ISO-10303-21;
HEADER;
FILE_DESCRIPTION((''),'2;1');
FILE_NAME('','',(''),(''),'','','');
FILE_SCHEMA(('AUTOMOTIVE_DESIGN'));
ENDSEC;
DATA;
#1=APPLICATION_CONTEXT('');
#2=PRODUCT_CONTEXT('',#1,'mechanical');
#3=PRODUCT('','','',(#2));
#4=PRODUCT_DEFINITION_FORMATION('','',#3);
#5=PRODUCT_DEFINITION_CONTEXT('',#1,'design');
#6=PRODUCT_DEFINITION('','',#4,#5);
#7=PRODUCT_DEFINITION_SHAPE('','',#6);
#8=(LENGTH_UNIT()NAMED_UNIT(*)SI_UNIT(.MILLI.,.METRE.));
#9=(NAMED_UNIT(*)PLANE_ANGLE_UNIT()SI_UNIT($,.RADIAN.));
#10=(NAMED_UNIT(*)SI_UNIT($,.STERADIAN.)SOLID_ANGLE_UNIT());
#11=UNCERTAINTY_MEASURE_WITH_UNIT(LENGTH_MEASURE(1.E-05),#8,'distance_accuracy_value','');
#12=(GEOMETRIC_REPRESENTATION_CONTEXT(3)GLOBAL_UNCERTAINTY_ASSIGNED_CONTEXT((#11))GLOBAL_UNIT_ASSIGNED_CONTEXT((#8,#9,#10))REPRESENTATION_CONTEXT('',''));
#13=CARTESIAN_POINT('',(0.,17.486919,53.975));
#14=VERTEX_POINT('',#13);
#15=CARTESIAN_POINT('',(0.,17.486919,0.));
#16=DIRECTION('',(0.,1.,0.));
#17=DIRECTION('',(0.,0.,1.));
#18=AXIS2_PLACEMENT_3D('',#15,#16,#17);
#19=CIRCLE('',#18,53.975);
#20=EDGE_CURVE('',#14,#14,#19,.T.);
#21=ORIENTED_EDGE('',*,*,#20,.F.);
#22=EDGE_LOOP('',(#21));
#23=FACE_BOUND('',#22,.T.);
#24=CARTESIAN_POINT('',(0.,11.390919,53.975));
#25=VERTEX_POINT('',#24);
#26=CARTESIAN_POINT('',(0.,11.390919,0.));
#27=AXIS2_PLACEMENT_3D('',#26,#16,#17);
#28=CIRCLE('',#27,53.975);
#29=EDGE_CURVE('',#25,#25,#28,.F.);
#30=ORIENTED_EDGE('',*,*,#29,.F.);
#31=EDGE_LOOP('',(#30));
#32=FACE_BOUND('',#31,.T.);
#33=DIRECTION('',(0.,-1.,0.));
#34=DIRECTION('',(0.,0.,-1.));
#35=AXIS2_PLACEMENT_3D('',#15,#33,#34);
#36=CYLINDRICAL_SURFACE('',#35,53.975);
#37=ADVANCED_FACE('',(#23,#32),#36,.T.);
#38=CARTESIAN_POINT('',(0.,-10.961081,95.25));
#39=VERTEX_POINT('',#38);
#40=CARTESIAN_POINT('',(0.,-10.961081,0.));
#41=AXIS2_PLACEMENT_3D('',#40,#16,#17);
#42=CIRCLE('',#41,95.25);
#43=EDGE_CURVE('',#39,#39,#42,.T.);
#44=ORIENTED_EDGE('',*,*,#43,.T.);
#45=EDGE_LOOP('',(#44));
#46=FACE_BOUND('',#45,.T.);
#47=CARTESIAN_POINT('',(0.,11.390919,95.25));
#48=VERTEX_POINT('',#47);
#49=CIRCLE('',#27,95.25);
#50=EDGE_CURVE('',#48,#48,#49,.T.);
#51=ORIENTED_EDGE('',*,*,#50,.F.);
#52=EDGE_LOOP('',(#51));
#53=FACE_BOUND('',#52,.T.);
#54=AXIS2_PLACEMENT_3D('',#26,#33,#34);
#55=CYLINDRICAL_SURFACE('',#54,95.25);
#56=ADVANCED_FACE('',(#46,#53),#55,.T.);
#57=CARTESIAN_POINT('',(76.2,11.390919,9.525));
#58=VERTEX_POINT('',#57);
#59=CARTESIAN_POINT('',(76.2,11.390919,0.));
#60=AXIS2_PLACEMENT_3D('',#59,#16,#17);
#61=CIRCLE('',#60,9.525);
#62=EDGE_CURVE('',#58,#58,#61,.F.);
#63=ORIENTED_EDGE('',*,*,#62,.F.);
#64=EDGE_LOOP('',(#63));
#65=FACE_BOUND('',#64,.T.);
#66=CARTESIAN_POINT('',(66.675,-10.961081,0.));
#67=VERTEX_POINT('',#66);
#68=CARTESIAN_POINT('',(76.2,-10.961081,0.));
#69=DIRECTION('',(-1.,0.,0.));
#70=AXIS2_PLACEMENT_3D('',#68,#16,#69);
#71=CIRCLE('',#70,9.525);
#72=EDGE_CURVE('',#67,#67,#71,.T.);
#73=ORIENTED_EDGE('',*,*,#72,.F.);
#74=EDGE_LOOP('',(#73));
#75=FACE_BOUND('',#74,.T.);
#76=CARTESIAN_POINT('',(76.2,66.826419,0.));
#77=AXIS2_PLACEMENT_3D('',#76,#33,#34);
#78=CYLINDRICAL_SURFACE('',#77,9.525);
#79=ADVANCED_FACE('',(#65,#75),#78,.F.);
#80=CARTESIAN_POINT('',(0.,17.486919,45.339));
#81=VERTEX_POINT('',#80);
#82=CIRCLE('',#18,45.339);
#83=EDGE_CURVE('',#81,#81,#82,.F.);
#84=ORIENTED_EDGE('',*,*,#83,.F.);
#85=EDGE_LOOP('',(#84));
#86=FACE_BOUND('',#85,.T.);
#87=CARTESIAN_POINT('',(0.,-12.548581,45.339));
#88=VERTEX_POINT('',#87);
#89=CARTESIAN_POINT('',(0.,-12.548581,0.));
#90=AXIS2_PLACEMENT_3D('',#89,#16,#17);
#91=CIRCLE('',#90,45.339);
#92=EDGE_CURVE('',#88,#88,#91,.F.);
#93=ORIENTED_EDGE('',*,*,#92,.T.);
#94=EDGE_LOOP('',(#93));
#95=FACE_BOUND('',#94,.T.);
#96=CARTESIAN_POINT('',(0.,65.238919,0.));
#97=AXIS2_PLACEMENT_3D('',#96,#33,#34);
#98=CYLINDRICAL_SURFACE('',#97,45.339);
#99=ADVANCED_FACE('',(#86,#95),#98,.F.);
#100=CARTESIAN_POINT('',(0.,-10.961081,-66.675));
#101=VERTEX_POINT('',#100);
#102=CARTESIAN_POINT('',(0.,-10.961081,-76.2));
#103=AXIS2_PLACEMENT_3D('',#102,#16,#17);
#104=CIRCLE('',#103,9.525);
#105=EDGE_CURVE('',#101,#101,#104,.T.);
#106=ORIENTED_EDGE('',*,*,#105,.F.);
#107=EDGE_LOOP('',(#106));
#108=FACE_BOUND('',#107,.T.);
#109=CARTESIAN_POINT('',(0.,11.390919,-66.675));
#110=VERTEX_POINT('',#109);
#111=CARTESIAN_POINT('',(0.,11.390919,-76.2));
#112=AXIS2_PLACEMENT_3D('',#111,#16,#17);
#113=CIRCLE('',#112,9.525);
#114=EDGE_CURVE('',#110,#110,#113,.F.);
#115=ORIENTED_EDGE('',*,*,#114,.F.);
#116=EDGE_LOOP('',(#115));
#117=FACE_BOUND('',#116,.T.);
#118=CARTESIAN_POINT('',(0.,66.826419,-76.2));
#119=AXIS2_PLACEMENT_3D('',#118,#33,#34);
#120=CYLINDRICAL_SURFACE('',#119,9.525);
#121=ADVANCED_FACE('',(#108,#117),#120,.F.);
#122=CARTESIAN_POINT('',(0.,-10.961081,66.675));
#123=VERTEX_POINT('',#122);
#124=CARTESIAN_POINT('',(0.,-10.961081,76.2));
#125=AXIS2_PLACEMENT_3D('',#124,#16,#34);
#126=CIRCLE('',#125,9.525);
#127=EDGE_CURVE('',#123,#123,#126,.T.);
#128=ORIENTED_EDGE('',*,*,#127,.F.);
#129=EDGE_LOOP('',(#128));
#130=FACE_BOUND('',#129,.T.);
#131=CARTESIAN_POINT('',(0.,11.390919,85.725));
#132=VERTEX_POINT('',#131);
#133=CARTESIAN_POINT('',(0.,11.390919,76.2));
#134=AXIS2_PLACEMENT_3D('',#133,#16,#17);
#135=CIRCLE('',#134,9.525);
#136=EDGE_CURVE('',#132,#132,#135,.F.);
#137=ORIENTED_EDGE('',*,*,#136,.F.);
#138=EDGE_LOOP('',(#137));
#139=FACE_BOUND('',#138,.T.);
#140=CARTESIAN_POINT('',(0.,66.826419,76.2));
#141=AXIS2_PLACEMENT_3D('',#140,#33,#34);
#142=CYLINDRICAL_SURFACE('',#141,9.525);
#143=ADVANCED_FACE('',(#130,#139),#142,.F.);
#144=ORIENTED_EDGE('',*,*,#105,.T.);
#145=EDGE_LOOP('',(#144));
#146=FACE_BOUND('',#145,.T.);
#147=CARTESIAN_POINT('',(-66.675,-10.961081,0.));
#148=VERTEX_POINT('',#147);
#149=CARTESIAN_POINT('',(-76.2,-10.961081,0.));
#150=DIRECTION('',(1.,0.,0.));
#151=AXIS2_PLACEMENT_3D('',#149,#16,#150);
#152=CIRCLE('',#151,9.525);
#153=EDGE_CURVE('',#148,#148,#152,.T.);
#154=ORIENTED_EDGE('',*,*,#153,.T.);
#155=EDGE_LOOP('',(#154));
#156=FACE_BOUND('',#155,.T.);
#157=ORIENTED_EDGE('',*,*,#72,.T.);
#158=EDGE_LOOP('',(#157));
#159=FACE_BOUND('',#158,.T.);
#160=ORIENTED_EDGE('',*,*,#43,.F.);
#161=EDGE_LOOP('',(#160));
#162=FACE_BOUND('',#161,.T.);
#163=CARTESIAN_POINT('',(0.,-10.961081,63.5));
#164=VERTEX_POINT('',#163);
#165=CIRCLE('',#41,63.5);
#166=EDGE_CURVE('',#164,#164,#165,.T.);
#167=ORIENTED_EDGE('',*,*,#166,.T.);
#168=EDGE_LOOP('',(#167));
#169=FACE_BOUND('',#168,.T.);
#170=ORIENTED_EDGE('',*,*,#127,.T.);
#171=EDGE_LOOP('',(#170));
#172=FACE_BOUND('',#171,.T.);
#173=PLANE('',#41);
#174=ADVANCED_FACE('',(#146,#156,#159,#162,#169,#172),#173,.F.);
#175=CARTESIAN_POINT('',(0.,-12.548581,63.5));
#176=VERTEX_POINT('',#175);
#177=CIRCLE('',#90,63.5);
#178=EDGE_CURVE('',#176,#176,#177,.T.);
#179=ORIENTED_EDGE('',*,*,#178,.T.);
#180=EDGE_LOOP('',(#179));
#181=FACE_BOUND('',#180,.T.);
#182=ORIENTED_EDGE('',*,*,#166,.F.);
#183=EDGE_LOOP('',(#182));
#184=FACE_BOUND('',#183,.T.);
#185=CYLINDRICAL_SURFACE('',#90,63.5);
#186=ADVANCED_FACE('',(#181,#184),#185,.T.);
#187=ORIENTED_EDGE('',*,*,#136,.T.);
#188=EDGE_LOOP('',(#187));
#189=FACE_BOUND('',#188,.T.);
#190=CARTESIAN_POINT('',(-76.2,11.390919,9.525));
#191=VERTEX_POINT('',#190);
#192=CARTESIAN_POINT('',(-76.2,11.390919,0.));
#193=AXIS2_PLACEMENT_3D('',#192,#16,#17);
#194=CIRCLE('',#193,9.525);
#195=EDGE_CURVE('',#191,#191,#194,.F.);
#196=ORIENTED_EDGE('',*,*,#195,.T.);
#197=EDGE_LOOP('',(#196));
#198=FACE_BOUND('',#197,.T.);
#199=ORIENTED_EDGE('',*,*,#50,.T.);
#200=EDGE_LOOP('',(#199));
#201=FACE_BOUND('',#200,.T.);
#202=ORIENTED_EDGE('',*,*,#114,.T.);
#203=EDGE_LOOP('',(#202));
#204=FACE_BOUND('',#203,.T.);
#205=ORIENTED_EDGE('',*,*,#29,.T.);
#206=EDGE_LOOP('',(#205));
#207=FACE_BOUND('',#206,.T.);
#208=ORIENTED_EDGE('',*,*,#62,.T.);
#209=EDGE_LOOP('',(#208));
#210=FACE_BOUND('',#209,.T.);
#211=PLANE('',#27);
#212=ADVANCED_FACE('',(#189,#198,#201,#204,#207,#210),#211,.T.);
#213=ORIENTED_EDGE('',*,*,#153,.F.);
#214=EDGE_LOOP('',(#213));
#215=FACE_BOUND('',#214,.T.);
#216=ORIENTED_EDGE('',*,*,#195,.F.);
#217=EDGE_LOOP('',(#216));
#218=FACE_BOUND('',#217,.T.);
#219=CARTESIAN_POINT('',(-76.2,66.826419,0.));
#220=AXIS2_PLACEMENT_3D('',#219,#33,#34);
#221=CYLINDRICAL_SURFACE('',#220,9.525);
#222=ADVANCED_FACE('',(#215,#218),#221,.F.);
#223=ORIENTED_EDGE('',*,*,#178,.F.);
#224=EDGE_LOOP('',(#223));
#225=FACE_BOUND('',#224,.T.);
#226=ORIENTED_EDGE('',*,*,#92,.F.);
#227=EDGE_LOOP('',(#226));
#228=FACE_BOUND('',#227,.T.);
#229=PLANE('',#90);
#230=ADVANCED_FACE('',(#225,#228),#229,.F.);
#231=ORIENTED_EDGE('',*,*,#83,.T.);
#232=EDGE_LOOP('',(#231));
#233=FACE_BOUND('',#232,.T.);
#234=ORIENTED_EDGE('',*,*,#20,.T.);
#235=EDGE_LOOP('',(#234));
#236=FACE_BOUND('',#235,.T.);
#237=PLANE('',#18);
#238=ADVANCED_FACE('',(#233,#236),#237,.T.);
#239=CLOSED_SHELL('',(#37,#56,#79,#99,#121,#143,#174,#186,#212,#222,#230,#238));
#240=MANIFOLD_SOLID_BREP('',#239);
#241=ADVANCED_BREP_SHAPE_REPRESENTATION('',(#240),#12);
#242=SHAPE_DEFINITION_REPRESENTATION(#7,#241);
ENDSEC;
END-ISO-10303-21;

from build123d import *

# Parameters (mm, degrees)
SKETCH1_R               = 3.75
BOSS_EXTRUDE1_DEPTH     = 0.88
SKETCH2_R               = 2.125
BOSS_EXTRUDE2_DEPTH     = 1.12
SKETCH3_R               = 2.5
BOSS_EXTRUDE3_DEPTH     = 0.0625
SKETCH4_R               = 1.785
CUT_EXTRUDE1_DEPTH      = 3
CUT_EXTRUDE1_DEPTH_BACK = 1.0625
SKETCH7_R               = 0.375
CUT_EXTRUDE2_DEPTH      = 3.0625
CIRPATTERN1_COUNT       = 4
SCALE1_SCALE            = 25.4


with BuildPart() as part:
    # Sketch1 → Boss-Extrude1 (new body)
    with BuildSketch(Plane(origin=(0, 0, 0), x_dir=(1, 0, 0), z_dir=(0, 1, 0))):
        Circle(SKETCH1_R)
    extrude(amount=BOSS_EXTRUDE1_DEPTH)

    # Sketch2 → Boss-Extrude2 (add)
    with BuildSketch(Plane(origin=(0, 0, 0), x_dir=(1, 0, 0), z_dir=(0, 1, 0))):
        Circle(SKETCH2_R)
    extrude(amount=BOSS_EXTRUDE2_DEPTH)

    # Sketch3 → Boss-Extrude3 (add)
    with BuildSketch(Plane(origin=(0, 0, 0), x_dir=(1, 0, 0), z_dir=(0, 1, 0))):
        Circle(SKETCH3_R)
    extrude(amount=-BOSS_EXTRUDE3_DEPTH)

    # Sketch4 → Cut-Extrude1 (cut, two sides)
    with BuildSketch(Plane(origin=(0, 0, 0), x_dir=(1, 0, 0), z_dir=(0, 1, 0))) as cut_extrude1_sk:
        Circle(SKETCH4_R)
    extrude(amount=CUT_EXTRUDE1_DEPTH, mode=Mode.SUBTRACT)
    extrude(cut_extrude1_sk.sketch, amount=-CUT_EXTRUDE1_DEPTH_BACK, mode=Mode.SUBTRACT)

    # Sketch7 → Cut-Extrude2 (cut)
    with BuildSketch(Plane(origin=(0, 0, 0), x_dir=(1, 0, 0), z_dir=(0, 1, 0))):
        with Locations((0, 3)):
            Circle(SKETCH7_R)
    cut_extrude2 = extrude(amount=CUT_EXTRUDE2_DEPTH, mode=Mode.SUBTRACT)

    # CirPattern1: Cut-Extrude2 ×4 about axis
    cirpattern1_axis = Axis((0, 0, 0), (0, 1, 0))
    for i in range(1, CIRPATTERN1_COUNT):
        add(cut_extrude2.rotate(cirpattern1_axis, i * 360 / CIRPATTERN1_COUNT), mode=Mode.SUBTRACT)


with BuildPart() as part_1:
    # Scale1: scaled about (0, 0.449224649, 0)
    add(part.part.scale(SCALE1_SCALE).moved(Location((0, -10.961081436, 0))))


solid = part_1.part
